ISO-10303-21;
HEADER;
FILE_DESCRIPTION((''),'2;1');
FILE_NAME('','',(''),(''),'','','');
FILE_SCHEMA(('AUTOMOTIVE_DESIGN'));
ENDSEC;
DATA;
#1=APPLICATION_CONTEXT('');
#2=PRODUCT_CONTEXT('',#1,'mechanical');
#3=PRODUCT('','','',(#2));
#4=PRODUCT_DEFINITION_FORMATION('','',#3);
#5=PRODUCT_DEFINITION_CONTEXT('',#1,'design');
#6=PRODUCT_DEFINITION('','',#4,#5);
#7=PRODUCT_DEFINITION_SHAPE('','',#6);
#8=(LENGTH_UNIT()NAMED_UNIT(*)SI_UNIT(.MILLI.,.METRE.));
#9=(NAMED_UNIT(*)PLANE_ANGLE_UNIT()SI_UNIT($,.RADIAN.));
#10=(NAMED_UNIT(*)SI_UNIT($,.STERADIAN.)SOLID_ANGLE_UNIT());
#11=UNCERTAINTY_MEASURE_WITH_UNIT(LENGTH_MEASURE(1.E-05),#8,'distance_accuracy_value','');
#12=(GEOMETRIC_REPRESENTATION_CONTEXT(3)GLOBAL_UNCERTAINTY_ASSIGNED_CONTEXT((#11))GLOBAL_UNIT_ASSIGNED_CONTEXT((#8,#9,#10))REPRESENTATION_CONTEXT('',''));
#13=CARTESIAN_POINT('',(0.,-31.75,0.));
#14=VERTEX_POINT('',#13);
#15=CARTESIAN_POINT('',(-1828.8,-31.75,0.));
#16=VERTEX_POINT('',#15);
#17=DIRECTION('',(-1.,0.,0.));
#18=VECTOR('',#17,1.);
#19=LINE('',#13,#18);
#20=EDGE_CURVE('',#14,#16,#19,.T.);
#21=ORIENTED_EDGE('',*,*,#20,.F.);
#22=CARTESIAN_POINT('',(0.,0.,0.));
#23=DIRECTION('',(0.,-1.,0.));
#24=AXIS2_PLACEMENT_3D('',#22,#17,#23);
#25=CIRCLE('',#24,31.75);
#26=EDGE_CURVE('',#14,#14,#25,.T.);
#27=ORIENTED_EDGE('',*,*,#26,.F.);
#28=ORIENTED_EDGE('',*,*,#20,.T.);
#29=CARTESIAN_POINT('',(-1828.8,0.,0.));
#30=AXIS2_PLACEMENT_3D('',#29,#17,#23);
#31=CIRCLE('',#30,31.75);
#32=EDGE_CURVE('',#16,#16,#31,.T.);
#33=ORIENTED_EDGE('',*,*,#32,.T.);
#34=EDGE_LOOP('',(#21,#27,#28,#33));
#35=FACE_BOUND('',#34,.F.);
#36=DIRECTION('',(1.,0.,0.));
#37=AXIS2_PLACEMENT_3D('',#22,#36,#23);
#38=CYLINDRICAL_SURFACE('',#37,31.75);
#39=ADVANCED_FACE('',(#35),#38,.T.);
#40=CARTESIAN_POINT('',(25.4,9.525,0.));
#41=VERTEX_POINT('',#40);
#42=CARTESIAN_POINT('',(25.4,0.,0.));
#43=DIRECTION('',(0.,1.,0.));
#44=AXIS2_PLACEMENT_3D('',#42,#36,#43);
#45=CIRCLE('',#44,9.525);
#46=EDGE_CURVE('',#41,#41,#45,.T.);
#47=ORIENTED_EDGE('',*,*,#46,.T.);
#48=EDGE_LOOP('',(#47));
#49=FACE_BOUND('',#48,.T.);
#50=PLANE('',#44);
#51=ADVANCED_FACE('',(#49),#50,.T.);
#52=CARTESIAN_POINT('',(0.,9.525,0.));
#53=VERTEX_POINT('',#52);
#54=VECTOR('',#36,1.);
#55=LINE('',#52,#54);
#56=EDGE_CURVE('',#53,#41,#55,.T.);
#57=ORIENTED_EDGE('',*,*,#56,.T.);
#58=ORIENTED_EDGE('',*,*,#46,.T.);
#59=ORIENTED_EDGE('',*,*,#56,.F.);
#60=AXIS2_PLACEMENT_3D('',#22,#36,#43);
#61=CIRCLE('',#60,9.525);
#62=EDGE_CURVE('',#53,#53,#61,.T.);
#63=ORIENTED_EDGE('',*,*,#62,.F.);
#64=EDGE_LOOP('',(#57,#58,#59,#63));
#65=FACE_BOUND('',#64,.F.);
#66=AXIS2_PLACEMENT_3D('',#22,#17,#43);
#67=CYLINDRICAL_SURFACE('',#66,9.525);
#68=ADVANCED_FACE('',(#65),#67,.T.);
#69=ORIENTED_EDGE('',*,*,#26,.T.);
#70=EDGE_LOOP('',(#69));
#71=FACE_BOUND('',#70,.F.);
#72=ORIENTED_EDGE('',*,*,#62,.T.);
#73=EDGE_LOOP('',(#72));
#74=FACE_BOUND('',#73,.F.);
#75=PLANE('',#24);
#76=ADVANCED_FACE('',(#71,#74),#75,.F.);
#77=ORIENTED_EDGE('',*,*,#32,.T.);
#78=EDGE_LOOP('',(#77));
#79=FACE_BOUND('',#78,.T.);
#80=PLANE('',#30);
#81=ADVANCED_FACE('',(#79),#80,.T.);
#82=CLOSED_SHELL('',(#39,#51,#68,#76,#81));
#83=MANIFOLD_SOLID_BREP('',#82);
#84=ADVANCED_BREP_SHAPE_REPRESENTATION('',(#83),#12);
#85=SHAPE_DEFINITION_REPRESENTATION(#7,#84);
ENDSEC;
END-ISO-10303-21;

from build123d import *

# Parameters (mm, degrees)
F0_R     = 9.525
F1_DEPTH = 25.4
F2_R     = 31.75
F3_DEPTH = 1828.8


with BuildPart() as f1:
    # F0 (on Right) → F1 (new body)
    with BuildSketch(Plane.YZ):
        Circle(F0_R)
    extrude(amount=F1_DEPTH)

    # F2 (on face) → F3 (join)
    with BuildSketch(Plane(origin=(0, 0, 0), x_dir=(0, -1, 0), z_dir=(-1, 0, 0))):
        Circle(F2_R)
    extrude(amount=F3_DEPTH)


solid = f1.part
